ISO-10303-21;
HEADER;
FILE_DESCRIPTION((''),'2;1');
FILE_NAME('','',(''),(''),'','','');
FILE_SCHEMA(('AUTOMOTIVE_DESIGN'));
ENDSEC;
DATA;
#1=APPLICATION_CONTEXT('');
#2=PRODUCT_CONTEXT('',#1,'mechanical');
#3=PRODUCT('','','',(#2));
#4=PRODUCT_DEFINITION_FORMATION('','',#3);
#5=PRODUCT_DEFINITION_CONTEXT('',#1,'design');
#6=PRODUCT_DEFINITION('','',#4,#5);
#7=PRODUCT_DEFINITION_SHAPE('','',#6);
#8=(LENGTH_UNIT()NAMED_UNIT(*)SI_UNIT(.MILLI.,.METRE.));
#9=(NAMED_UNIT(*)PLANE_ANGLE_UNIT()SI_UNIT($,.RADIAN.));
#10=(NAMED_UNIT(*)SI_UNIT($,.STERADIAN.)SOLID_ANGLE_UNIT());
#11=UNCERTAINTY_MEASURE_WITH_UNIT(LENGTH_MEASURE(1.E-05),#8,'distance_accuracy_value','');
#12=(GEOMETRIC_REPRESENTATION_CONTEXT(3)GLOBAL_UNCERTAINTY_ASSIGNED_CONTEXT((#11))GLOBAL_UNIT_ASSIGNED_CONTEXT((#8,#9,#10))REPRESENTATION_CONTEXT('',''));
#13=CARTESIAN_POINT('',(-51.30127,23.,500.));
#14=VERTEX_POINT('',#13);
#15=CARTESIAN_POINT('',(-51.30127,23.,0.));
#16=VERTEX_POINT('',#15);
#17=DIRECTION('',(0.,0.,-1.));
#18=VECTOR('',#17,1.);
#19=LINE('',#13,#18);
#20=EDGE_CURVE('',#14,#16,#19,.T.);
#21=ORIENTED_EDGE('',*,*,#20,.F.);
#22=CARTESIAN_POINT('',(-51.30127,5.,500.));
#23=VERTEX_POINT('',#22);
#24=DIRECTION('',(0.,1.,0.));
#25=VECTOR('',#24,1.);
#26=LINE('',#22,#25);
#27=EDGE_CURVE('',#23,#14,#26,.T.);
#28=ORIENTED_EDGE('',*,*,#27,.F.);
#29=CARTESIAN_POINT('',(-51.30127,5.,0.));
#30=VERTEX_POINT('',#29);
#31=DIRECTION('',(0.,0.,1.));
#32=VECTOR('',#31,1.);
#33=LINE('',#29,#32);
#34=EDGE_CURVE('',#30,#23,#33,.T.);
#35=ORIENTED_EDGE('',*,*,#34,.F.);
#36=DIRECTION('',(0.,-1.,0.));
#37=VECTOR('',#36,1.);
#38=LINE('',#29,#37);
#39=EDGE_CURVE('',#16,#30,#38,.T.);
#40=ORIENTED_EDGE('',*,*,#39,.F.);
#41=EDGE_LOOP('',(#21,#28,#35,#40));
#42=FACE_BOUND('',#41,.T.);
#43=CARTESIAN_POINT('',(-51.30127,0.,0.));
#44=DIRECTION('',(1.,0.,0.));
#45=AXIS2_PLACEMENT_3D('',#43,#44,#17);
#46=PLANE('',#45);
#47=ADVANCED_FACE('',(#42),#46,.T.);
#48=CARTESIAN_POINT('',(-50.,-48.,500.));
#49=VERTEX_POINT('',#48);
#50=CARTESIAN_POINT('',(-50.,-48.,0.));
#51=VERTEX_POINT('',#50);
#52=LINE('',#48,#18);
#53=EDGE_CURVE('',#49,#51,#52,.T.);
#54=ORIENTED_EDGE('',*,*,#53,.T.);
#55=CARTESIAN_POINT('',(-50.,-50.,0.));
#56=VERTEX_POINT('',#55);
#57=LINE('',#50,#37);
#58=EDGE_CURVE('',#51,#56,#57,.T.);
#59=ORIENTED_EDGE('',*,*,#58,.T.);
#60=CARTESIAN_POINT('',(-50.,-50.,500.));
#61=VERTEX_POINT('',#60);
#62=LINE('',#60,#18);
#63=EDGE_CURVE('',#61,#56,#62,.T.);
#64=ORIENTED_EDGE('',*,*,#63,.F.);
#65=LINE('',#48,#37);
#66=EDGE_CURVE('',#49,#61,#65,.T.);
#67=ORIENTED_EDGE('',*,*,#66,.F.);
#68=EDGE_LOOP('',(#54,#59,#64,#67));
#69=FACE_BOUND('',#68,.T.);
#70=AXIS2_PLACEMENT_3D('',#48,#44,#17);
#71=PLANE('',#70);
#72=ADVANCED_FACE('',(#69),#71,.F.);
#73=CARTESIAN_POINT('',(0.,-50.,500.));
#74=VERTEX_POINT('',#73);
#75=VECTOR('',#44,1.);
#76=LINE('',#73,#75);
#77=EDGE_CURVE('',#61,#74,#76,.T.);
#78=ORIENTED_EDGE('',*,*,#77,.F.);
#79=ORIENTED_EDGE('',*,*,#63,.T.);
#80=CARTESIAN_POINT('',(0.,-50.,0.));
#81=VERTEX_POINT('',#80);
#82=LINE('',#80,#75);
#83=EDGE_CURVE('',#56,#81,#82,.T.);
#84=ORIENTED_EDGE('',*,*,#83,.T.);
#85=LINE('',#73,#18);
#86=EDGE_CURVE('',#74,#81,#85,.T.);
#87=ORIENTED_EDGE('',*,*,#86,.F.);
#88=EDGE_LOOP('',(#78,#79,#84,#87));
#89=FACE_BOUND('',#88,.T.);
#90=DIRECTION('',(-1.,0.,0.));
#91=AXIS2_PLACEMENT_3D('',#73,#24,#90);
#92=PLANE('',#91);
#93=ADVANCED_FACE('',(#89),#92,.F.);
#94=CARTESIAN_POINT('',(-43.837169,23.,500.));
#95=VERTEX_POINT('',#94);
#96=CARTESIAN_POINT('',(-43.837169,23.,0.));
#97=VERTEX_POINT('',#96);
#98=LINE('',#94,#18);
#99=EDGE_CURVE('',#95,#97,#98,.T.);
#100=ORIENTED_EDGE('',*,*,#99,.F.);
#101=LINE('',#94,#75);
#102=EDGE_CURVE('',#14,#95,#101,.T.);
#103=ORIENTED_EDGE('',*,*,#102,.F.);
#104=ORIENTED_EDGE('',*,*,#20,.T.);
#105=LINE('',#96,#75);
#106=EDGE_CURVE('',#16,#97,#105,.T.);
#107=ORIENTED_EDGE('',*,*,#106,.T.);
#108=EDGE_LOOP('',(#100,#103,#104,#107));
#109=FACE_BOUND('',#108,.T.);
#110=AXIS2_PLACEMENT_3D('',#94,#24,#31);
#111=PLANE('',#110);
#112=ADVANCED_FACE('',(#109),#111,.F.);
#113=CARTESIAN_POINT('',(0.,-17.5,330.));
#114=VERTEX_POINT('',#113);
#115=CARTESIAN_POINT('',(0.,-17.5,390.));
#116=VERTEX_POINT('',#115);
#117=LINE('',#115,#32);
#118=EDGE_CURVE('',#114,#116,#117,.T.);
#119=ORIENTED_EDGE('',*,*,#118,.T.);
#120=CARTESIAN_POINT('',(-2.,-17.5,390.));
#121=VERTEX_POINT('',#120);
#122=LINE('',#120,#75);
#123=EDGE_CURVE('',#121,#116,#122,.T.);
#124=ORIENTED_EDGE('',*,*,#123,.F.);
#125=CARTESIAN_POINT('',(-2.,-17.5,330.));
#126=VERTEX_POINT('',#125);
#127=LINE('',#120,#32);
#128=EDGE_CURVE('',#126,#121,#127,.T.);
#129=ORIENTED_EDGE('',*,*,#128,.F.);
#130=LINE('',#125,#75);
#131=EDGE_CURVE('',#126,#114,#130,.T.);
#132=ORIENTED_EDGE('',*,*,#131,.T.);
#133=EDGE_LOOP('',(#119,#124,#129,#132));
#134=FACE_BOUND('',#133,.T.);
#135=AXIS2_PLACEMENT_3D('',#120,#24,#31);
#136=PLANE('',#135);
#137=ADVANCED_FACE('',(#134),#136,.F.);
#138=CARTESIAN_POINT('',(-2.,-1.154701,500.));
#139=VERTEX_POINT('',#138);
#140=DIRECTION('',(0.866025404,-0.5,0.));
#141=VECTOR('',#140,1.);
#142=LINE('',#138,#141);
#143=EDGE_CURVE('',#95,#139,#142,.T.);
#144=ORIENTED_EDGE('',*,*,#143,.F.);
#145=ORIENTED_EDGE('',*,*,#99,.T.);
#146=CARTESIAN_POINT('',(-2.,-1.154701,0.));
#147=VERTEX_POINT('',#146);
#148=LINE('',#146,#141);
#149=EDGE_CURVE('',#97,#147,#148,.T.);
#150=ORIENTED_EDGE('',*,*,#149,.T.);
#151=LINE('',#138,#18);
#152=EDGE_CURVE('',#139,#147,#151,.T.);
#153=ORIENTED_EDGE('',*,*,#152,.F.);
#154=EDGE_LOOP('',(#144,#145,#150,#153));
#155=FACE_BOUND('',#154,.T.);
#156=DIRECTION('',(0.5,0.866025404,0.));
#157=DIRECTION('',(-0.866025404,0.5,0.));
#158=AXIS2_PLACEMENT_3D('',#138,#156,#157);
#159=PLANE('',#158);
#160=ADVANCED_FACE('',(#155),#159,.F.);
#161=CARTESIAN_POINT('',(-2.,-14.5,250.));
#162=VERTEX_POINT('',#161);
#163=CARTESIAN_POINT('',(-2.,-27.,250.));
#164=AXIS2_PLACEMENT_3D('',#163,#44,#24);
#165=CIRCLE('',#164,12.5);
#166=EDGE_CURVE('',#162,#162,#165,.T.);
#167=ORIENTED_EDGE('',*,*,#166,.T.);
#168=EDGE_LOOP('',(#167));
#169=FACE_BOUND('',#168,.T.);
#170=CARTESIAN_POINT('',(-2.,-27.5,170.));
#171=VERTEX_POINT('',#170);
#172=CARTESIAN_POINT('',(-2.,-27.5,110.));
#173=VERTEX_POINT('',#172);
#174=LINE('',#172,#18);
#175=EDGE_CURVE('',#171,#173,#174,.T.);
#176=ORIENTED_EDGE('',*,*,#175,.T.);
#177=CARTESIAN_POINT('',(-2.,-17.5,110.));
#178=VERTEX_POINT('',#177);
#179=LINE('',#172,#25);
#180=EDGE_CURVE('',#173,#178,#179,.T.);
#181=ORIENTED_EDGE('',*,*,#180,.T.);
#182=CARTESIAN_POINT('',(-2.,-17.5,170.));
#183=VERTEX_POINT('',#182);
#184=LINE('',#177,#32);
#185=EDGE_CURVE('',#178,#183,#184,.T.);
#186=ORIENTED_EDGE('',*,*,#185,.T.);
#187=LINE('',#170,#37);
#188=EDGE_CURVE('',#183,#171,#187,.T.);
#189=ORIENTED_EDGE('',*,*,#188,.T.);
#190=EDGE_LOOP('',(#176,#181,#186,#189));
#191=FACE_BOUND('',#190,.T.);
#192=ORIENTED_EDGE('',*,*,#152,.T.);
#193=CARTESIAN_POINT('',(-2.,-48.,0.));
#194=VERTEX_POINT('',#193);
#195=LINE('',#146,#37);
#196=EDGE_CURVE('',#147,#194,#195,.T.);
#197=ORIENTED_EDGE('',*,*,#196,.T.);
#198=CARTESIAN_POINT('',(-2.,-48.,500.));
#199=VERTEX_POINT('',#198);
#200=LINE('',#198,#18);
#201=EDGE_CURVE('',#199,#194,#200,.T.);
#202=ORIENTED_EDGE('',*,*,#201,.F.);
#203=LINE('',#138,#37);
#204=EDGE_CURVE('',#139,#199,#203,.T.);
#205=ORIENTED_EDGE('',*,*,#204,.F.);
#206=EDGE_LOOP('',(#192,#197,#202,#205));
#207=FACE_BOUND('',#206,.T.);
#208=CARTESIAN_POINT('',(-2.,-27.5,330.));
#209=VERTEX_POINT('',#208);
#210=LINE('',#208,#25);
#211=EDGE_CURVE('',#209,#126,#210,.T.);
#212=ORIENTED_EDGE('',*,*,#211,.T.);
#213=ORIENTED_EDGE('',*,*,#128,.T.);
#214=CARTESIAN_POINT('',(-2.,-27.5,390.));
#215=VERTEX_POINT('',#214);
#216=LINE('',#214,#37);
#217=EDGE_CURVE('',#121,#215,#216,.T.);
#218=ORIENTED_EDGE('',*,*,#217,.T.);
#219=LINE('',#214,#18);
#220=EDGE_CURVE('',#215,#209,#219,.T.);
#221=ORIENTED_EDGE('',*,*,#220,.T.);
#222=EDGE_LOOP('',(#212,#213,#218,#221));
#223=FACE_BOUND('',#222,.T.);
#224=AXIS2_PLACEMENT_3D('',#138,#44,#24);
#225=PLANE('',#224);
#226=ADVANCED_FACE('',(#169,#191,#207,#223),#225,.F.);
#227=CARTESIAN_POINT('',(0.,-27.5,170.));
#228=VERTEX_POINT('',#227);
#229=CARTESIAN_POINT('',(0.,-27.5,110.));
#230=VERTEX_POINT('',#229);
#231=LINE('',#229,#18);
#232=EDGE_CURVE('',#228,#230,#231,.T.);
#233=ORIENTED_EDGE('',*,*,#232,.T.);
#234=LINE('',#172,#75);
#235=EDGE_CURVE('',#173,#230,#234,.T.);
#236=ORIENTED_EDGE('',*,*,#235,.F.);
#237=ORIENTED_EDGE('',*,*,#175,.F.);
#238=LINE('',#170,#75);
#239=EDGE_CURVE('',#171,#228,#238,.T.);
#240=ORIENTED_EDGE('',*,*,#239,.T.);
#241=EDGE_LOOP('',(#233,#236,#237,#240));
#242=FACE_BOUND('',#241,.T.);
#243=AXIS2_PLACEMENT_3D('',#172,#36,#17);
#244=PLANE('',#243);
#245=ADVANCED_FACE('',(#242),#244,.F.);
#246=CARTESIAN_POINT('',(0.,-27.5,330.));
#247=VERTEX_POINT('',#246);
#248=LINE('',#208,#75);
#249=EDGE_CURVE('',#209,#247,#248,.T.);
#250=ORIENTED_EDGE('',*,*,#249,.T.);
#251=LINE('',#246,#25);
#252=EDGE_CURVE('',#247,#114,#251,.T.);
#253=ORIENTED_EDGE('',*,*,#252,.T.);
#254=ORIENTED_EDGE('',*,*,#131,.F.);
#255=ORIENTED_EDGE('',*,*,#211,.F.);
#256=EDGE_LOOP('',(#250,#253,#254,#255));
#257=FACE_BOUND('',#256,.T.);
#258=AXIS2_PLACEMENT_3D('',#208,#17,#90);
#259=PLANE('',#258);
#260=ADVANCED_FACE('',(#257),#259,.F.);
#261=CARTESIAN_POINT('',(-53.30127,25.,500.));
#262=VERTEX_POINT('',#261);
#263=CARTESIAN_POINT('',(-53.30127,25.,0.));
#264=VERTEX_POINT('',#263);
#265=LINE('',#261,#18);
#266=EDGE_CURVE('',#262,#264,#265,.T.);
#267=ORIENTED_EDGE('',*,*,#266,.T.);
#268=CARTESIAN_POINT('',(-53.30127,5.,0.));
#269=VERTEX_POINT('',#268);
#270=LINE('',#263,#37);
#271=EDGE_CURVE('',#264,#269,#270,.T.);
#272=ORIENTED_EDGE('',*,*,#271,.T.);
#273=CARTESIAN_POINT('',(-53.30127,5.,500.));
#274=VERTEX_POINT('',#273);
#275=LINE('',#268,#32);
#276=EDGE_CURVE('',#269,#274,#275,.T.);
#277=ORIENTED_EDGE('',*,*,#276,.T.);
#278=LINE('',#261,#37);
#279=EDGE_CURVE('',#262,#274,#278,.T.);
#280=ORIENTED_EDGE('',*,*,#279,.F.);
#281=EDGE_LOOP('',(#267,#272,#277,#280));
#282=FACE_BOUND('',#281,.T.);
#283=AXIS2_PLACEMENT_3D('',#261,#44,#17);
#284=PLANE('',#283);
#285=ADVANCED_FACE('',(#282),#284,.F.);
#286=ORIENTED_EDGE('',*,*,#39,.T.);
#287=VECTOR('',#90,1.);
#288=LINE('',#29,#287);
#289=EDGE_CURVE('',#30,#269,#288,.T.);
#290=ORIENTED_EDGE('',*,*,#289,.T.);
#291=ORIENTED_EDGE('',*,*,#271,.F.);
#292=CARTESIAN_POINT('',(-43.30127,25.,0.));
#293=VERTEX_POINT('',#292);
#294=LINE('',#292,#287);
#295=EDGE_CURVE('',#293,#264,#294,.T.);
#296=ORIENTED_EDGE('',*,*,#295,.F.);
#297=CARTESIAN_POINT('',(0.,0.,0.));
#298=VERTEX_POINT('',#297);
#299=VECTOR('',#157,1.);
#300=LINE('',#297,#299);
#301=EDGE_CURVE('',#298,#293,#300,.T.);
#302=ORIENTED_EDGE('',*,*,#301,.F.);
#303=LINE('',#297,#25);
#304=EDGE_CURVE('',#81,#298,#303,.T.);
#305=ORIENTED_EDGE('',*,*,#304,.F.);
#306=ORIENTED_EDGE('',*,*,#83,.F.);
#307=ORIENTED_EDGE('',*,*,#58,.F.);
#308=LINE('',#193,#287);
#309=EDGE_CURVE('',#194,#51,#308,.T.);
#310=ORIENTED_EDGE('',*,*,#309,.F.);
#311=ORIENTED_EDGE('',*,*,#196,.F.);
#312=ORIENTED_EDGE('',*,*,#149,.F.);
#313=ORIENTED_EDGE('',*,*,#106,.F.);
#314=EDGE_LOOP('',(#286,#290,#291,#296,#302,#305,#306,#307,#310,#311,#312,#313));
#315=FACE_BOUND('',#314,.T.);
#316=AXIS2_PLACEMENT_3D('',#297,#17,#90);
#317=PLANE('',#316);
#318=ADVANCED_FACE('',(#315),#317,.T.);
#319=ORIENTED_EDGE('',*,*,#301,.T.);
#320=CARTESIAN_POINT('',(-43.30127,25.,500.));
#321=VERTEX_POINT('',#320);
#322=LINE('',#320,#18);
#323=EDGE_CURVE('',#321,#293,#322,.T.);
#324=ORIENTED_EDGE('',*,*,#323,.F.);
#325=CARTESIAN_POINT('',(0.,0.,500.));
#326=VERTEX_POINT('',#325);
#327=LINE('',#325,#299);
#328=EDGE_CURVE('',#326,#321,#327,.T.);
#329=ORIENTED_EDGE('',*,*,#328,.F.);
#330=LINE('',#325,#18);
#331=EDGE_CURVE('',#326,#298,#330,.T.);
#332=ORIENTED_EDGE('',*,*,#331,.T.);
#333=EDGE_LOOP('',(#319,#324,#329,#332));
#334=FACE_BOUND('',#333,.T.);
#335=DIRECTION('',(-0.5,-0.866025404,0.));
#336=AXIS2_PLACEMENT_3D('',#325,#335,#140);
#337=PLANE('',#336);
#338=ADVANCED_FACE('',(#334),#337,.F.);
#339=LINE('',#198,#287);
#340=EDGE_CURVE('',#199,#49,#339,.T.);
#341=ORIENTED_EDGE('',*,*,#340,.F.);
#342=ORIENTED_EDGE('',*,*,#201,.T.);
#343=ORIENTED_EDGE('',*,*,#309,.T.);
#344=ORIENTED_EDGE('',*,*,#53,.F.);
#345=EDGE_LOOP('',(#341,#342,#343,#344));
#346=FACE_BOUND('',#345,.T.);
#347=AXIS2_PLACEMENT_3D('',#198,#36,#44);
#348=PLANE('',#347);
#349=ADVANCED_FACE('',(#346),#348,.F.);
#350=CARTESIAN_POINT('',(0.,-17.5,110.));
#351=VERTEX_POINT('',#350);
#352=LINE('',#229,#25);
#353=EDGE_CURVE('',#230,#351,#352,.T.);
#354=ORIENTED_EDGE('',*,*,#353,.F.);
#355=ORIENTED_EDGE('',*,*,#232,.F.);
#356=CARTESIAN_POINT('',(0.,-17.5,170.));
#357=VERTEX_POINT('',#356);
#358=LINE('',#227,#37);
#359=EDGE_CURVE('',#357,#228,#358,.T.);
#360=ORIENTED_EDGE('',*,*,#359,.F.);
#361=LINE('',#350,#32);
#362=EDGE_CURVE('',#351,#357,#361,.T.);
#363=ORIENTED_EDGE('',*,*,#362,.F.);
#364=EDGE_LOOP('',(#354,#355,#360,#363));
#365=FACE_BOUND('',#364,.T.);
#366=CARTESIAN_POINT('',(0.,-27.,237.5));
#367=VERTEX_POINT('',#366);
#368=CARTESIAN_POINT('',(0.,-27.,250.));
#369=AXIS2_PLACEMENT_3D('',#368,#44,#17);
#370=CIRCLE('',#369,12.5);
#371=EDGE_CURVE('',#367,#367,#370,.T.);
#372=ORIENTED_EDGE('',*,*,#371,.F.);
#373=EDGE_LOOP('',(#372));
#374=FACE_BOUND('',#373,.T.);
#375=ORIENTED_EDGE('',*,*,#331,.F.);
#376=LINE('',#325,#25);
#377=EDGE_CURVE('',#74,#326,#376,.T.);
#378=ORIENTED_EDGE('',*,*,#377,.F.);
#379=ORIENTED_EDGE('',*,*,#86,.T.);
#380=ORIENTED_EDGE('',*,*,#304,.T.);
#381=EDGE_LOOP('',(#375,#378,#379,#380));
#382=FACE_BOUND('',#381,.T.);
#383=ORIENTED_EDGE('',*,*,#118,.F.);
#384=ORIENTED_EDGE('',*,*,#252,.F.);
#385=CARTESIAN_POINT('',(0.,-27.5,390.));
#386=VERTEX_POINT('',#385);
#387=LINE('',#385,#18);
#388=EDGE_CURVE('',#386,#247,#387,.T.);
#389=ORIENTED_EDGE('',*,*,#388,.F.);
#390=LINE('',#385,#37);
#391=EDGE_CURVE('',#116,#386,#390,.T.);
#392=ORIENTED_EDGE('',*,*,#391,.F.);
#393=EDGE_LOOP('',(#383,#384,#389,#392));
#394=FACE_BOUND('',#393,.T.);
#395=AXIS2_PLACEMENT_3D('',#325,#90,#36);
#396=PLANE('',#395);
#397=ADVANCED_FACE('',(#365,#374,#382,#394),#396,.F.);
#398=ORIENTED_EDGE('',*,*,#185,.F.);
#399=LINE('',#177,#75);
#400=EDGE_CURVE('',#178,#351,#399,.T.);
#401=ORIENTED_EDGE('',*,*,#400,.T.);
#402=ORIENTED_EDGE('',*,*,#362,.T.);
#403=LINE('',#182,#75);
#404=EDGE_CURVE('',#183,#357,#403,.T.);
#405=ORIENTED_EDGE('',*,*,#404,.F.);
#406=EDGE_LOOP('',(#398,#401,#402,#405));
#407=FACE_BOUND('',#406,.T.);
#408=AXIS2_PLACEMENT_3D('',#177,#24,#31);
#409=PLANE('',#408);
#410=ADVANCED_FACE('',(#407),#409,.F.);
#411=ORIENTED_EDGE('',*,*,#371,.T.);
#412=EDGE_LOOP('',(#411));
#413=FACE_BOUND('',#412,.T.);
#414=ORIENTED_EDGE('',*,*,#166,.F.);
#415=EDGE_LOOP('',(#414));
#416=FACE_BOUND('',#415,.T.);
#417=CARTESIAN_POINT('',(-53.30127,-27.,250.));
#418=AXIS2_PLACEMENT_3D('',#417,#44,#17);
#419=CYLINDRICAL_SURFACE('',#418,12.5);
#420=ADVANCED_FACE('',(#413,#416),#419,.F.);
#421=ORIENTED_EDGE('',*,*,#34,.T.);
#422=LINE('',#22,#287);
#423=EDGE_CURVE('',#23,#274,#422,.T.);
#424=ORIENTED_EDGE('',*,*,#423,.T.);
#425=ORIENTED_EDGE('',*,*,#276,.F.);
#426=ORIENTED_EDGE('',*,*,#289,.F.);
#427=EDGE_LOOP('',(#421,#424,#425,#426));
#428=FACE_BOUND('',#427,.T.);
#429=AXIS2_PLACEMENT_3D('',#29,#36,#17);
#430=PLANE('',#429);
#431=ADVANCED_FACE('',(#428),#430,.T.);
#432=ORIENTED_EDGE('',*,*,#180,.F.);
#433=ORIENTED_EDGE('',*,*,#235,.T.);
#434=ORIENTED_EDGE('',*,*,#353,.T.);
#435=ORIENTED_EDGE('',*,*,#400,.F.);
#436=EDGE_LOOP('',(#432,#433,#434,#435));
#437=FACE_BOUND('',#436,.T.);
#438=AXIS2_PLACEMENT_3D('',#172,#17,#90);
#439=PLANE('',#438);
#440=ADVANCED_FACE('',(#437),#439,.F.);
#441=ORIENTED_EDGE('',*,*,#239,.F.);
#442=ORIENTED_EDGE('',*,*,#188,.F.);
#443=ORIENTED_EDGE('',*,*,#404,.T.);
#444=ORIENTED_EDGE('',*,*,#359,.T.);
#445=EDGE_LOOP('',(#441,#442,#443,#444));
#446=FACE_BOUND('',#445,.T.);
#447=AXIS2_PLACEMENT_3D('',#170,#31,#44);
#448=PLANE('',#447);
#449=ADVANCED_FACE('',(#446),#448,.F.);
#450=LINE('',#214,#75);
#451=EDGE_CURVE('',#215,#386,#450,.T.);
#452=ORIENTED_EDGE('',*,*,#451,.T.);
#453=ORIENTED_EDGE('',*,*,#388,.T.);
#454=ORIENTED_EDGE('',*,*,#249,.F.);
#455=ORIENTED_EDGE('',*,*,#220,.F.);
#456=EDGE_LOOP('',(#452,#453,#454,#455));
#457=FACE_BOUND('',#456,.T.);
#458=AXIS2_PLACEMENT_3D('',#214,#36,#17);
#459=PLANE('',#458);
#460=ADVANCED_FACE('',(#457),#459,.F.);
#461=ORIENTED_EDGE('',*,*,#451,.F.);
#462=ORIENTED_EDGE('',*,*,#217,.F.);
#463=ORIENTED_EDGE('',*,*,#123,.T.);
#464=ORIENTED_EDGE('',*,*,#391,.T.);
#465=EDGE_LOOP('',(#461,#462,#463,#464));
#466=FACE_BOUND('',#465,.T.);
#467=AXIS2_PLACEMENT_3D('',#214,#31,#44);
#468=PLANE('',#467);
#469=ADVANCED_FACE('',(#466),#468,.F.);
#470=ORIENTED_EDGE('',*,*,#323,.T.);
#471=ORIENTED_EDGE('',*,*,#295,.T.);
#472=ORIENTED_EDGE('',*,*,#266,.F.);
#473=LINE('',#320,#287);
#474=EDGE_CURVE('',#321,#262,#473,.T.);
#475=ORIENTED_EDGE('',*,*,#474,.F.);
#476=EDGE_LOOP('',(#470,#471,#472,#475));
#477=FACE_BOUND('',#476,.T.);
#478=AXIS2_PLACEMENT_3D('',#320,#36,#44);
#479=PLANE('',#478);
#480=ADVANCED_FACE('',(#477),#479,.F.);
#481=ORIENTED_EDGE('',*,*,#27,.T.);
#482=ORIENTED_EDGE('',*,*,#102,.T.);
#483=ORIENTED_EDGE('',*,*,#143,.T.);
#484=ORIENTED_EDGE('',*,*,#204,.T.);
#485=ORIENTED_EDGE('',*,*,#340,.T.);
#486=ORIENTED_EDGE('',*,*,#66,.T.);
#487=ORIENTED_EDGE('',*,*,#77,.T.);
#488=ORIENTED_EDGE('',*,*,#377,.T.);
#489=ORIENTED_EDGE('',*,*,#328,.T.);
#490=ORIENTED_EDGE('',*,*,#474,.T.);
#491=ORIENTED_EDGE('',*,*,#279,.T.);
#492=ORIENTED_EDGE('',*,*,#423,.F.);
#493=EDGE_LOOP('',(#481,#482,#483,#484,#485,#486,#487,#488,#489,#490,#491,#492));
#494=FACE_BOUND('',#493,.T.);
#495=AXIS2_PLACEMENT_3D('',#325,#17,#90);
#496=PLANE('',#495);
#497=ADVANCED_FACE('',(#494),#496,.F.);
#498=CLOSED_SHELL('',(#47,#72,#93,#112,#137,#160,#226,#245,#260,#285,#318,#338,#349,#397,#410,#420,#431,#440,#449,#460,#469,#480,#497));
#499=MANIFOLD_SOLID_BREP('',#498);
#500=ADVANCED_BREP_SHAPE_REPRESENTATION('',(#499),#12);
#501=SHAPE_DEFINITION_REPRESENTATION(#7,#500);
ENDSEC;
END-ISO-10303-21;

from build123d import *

# Parameters (mm, degrees)
BOSS_EXTRUDE1_DEPTH = 500
SKETCH2_R           = 12.5
CUT_EXTRUDE1_DEPTH  = 54.301270189
SKETCH3_W           = 60
SKETCH3_H           = 10
CUT_EXTRUDE2_DEPTH  = 2
SKETCH4_W           = 500
SKETCH4_H           = 20
BOSS_EXTRUDE2_DEPTH = 2


with BuildPart() as part:
    # Sketch1 → Boss-Extrude1 (new body)
    with BuildSketch(Plane.XY):
        Polygon((0, 0), (-43.301270189, 25), (-53.301270189, 25), (-53.301270189, 23), (-43.837168574, 23), (-2, -1.154700538), (-2, -48), (-50, -48), (-50, -50), (0, -50), align=None)
    extrude(amount=BOSS_EXTRUDE1_DEPTH)

    # Sketch2 → Cut-Extrude1 (cut, through all)
    with BuildSketch(Plane(origin=(0, 0, 0), x_dir=(0, 0, -1), z_dir=(1, 0, 0))):
        with Locations((-250, -27)):
            Circle(SKETCH2_R)
    extrude(amount=-CUT_EXTRUDE1_DEPTH, mode=Mode.SUBTRACT)

    # Sketch3 → Cut-Extrude2 (cut)
    with BuildSketch(Plane(origin=(0, 0, 0), x_dir=(0, 0, -1), z_dir=(1, 0, 0))):
        with Locations((-140, -22.5)):
            Rectangle(SKETCH3_W, SKETCH3_H)
        with Locations((-360, -22.5)):
            Rectangle(SKETCH3_W, SKETCH3_H)
    extrude(amount=-CUT_EXTRUDE2_DEPTH, mode=Mode.SUBTRACT)

    # Sketch4 → Boss-Extrude2 (add)
    with BuildSketch(Plane.ZY.offset(53.301270189)):
        with Locations((250, 15)):
            Rectangle(SKETCH4_W, SKETCH4_H)
    extrude(amount=-BOSS_EXTRUDE2_DEPTH)


solid = part.part
